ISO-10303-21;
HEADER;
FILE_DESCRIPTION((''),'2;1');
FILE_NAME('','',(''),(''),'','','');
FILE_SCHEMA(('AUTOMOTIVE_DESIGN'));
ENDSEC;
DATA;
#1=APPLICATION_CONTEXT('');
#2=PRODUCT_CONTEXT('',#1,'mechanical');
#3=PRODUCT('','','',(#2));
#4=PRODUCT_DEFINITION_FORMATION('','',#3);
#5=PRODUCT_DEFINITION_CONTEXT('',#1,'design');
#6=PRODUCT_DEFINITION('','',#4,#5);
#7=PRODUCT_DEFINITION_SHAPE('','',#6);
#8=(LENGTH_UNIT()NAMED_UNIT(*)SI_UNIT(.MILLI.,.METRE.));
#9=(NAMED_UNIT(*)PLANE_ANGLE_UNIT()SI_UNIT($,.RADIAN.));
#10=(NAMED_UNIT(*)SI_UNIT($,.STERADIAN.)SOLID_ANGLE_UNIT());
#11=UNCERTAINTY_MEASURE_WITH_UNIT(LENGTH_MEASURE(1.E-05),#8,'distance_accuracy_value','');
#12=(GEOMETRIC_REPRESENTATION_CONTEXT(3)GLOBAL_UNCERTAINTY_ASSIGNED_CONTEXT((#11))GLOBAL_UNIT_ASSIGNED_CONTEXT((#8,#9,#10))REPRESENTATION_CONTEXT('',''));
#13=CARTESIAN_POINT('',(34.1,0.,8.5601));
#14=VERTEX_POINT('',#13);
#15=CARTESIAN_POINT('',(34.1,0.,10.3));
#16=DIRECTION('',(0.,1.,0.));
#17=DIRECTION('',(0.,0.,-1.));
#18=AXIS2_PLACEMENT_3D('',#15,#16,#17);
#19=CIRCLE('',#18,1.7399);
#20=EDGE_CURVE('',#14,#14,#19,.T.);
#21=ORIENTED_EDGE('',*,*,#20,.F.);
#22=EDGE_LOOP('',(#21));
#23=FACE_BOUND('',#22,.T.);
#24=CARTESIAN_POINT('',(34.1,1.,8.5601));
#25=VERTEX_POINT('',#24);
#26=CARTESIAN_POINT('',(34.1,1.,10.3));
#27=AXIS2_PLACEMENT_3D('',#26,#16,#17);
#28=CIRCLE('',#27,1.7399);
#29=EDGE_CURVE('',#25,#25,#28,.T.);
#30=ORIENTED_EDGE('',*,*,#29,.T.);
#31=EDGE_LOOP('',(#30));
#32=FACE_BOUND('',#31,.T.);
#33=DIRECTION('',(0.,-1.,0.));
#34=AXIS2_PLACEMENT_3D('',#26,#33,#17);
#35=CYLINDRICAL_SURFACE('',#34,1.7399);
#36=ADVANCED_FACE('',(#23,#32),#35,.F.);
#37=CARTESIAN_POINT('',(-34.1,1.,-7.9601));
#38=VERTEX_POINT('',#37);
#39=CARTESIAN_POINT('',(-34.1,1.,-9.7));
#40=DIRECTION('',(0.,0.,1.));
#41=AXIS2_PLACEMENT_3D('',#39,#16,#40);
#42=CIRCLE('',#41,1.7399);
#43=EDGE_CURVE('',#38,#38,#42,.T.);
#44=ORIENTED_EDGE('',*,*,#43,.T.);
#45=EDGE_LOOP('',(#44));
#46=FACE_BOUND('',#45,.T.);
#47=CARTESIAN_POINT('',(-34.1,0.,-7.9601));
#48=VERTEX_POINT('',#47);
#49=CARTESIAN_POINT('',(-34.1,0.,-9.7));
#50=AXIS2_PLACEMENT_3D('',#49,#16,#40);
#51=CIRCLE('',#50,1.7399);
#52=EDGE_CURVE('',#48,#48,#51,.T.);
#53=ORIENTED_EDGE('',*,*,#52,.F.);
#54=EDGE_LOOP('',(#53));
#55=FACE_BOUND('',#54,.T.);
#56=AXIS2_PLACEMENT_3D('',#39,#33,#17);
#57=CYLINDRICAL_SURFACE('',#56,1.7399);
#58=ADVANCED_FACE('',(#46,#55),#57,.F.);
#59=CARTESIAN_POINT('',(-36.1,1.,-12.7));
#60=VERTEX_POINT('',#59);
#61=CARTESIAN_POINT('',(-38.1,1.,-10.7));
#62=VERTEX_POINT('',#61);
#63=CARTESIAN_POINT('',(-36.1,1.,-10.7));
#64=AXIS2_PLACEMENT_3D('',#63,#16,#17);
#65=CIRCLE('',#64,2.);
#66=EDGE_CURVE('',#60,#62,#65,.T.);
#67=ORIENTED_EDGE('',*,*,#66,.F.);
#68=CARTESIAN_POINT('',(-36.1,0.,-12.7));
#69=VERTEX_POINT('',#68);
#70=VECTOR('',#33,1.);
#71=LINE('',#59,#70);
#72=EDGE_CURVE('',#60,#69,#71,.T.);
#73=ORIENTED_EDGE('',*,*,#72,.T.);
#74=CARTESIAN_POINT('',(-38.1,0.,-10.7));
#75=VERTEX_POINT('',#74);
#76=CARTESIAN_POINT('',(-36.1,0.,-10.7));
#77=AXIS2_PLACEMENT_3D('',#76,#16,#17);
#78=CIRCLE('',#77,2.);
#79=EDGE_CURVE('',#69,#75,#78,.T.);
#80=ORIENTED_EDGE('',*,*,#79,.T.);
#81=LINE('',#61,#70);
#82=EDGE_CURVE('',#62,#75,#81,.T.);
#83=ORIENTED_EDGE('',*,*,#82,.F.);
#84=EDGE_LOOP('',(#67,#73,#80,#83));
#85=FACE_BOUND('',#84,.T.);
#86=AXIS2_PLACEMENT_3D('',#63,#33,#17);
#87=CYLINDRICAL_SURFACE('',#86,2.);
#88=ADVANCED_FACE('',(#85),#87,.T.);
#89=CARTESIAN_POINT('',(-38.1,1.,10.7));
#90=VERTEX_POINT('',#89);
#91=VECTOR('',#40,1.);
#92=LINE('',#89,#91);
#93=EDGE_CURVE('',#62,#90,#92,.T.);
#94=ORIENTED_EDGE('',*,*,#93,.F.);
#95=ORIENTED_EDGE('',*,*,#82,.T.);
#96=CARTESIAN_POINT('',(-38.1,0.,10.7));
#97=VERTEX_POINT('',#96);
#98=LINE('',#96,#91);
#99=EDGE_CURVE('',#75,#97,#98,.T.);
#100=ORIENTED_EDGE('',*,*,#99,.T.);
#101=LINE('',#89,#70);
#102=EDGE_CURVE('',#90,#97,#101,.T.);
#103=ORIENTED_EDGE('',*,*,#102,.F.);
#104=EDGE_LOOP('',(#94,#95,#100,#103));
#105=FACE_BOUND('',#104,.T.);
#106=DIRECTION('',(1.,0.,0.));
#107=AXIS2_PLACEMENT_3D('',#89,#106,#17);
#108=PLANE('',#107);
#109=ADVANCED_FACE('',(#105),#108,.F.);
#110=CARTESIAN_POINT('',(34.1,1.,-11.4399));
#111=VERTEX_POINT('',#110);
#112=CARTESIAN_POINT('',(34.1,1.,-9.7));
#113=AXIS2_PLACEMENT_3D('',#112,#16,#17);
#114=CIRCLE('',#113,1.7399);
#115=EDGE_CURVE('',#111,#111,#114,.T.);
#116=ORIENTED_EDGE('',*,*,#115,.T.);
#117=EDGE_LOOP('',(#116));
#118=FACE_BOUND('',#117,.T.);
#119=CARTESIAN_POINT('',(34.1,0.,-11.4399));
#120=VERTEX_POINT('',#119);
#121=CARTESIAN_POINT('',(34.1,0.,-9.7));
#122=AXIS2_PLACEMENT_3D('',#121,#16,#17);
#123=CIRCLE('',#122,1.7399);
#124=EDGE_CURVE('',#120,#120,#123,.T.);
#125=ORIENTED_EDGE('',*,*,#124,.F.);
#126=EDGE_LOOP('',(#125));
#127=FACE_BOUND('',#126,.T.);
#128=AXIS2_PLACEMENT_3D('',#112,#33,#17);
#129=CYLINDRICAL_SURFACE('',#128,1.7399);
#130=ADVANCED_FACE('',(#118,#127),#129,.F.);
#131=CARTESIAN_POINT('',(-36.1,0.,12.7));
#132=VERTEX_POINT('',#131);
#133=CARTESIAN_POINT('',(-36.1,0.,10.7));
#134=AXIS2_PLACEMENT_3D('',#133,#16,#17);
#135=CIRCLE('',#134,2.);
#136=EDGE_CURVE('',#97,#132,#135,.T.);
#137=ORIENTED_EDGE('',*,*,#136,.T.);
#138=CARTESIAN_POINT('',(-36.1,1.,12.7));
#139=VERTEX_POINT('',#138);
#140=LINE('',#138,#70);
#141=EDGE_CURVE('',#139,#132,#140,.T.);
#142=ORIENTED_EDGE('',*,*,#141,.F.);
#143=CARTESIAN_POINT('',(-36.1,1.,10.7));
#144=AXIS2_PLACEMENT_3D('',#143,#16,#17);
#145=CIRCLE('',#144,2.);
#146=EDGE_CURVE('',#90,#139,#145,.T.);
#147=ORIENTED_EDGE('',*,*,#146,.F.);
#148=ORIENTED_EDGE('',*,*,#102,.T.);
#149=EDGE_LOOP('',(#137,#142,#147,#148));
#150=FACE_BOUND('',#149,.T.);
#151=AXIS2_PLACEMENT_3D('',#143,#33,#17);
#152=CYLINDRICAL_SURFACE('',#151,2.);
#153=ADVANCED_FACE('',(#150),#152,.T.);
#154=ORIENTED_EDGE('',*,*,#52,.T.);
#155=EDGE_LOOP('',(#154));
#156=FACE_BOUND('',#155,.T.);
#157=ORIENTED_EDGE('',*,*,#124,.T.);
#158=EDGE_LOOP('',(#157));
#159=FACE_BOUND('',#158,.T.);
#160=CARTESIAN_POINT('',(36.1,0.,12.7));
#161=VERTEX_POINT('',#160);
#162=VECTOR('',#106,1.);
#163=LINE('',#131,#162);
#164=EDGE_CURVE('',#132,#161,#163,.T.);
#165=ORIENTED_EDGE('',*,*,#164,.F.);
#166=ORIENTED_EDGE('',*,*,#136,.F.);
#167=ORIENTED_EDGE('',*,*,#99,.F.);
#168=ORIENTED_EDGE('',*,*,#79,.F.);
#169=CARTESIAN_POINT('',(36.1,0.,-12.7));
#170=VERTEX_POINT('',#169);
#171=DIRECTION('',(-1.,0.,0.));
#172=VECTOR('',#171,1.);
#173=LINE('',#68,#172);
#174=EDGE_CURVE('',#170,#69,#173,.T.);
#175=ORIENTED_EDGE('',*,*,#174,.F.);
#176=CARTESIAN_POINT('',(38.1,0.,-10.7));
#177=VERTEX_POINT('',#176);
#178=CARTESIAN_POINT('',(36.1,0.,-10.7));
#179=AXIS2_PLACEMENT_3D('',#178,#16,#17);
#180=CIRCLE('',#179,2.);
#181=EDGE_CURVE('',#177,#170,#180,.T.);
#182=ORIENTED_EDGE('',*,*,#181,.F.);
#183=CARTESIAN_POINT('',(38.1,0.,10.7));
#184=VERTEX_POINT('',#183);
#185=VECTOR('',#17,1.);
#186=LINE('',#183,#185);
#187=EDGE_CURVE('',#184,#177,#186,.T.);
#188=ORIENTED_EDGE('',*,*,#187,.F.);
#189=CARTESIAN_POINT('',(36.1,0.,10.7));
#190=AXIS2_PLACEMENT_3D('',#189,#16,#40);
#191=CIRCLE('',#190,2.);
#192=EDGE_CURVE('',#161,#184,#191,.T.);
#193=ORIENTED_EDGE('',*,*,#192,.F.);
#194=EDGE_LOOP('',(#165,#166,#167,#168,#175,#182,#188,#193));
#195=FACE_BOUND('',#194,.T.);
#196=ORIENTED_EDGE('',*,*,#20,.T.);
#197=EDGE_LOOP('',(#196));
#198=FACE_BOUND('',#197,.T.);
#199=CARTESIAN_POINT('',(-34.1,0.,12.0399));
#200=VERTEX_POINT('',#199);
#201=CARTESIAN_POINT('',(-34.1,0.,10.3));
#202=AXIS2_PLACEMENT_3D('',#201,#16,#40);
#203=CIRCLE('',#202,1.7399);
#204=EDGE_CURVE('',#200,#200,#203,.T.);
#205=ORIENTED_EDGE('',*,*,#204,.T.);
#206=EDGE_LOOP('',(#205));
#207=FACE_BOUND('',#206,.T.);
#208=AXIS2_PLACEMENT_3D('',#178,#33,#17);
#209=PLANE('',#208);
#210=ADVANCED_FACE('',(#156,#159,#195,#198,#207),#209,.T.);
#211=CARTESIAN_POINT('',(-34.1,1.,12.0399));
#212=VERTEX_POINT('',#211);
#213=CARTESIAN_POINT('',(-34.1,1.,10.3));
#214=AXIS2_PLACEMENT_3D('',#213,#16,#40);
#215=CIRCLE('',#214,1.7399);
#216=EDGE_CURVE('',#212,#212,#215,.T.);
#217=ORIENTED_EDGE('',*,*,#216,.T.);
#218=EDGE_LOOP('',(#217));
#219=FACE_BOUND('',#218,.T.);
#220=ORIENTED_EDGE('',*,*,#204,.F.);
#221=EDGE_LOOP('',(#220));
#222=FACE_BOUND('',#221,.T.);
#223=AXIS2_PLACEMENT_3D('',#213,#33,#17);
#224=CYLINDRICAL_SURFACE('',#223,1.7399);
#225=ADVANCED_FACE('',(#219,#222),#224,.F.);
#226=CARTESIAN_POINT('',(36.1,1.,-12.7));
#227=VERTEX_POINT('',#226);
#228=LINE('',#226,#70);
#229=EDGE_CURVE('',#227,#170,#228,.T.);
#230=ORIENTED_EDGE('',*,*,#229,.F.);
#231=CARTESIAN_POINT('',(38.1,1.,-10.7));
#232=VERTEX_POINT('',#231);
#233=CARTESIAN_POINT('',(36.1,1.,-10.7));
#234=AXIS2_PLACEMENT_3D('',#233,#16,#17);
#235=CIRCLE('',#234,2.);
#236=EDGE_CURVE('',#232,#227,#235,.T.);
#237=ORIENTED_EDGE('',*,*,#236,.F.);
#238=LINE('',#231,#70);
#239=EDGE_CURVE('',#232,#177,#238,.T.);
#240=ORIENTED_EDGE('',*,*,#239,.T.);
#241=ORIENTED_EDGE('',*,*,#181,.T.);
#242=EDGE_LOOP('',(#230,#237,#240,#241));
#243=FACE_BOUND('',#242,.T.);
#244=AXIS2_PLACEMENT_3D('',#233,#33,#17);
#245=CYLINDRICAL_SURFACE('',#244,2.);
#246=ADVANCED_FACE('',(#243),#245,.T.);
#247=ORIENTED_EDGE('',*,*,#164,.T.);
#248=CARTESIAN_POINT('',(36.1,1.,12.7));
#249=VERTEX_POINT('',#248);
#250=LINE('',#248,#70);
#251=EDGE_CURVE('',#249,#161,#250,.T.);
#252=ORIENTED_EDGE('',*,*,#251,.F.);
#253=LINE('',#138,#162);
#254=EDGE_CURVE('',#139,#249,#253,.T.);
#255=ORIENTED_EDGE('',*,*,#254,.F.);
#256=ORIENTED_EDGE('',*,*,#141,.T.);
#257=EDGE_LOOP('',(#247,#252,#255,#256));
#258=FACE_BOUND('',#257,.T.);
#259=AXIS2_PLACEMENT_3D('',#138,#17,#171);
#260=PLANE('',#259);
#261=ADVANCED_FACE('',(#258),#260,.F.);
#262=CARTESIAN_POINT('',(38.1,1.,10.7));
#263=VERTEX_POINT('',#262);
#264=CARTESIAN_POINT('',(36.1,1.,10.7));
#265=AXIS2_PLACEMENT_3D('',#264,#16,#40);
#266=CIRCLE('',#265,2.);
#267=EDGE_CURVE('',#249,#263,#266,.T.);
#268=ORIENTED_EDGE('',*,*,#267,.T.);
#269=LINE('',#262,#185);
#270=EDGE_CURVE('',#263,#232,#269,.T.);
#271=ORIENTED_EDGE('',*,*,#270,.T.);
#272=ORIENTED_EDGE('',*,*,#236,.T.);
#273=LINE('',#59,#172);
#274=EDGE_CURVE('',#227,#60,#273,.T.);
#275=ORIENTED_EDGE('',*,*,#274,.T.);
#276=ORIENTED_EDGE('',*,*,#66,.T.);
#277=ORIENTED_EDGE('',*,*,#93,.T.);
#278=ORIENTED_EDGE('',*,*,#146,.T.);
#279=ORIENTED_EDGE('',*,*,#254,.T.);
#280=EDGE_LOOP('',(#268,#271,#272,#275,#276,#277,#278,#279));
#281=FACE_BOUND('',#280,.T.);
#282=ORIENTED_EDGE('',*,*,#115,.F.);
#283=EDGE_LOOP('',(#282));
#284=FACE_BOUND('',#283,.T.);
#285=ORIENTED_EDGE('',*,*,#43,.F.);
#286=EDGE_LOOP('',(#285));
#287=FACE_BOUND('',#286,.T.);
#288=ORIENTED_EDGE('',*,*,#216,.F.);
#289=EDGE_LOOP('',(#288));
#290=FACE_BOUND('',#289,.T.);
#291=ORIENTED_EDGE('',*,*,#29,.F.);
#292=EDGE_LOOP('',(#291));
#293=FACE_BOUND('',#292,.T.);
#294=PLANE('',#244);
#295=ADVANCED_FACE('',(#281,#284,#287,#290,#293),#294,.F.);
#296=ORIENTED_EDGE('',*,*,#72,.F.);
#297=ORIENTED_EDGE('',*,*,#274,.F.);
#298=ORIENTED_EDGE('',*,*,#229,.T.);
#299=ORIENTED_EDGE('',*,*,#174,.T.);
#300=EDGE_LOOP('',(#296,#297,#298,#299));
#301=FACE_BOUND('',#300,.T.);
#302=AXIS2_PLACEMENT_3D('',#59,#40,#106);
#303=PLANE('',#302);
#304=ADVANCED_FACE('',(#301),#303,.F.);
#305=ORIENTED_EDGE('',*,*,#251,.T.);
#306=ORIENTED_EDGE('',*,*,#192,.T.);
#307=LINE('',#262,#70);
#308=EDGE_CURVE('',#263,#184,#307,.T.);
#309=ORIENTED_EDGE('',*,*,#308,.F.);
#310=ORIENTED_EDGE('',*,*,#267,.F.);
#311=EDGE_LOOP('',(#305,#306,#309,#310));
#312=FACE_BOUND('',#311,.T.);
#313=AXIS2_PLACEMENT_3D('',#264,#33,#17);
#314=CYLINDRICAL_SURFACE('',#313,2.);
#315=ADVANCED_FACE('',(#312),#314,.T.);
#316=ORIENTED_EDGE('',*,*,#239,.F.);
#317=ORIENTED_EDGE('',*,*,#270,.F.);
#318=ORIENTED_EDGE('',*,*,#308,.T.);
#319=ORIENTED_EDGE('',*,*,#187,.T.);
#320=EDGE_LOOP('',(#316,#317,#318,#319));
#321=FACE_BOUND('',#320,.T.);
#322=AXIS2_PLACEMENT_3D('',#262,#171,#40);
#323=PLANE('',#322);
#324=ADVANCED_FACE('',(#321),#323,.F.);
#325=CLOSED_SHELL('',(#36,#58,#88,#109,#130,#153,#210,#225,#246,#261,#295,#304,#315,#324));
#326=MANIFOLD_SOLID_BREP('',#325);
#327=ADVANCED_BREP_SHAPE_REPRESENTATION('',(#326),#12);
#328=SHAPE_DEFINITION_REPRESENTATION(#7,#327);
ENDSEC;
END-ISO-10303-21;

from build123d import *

# Parameters (mm, degrees)
SKETCH1_R           = 1.7399
BOSS_EXTRUDE1_DEPTH = 1


with BuildPart() as part:
    # Sketch1 → Boss-Extrude1 (new body)
    with BuildSketch(Plane(origin=(0, 0, 0), x_dir=(1, 0, 0), z_dir=(0, 1, 0))):
        with BuildLine():
            Line((-36.1, -12.7), (36.1, -12.7))
            ThreePointArc((36.1, -12.7), (37.514213562, -12.114213562), (38.1, -10.7))
            Line((38.1, -10.7), (38.1, 10.7))
            ThreePointArc((38.1, 10.7), (37.514213562, 12.114213562), (36.1, 12.7))
            Line((36.1, 12.7), (-36.1, 12.7))
            ThreePointArc((-36.1, 12.7), (-37.514213562, 12.114213562), (-38.1, 10.7))
            Line((-38.1, 10.7), (-38.1, -10.7))
            ThreePointArc((-38.1, -10.7), (-37.514213562, -12.114213562), (-36.1, -12.7))
        make_face()
        with Locations(Location((-34.1, 9.7, 0), (0, 0, 270))):
            Circle(SKETCH1_R, mode=Mode.SUBTRACT)
        with Locations(Location((-34.1, -10.3, 0), (0, 0, 270))):
            Circle(SKETCH1_R, mode=Mode.SUBTRACT)
        with Locations(Location((34.1, -10.3, 0), (0, 0, 90))):
            Circle(SKETCH1_R, mode=Mode.SUBTRACT)
        with Locations(Location((34.1, 9.7, 0), (0, 0, 90))):
            Circle(SKETCH1_R, mode=Mode.SUBTRACT)
    extrude(amount=BOSS_EXTRUDE1_DEPTH)


solid = part.part
